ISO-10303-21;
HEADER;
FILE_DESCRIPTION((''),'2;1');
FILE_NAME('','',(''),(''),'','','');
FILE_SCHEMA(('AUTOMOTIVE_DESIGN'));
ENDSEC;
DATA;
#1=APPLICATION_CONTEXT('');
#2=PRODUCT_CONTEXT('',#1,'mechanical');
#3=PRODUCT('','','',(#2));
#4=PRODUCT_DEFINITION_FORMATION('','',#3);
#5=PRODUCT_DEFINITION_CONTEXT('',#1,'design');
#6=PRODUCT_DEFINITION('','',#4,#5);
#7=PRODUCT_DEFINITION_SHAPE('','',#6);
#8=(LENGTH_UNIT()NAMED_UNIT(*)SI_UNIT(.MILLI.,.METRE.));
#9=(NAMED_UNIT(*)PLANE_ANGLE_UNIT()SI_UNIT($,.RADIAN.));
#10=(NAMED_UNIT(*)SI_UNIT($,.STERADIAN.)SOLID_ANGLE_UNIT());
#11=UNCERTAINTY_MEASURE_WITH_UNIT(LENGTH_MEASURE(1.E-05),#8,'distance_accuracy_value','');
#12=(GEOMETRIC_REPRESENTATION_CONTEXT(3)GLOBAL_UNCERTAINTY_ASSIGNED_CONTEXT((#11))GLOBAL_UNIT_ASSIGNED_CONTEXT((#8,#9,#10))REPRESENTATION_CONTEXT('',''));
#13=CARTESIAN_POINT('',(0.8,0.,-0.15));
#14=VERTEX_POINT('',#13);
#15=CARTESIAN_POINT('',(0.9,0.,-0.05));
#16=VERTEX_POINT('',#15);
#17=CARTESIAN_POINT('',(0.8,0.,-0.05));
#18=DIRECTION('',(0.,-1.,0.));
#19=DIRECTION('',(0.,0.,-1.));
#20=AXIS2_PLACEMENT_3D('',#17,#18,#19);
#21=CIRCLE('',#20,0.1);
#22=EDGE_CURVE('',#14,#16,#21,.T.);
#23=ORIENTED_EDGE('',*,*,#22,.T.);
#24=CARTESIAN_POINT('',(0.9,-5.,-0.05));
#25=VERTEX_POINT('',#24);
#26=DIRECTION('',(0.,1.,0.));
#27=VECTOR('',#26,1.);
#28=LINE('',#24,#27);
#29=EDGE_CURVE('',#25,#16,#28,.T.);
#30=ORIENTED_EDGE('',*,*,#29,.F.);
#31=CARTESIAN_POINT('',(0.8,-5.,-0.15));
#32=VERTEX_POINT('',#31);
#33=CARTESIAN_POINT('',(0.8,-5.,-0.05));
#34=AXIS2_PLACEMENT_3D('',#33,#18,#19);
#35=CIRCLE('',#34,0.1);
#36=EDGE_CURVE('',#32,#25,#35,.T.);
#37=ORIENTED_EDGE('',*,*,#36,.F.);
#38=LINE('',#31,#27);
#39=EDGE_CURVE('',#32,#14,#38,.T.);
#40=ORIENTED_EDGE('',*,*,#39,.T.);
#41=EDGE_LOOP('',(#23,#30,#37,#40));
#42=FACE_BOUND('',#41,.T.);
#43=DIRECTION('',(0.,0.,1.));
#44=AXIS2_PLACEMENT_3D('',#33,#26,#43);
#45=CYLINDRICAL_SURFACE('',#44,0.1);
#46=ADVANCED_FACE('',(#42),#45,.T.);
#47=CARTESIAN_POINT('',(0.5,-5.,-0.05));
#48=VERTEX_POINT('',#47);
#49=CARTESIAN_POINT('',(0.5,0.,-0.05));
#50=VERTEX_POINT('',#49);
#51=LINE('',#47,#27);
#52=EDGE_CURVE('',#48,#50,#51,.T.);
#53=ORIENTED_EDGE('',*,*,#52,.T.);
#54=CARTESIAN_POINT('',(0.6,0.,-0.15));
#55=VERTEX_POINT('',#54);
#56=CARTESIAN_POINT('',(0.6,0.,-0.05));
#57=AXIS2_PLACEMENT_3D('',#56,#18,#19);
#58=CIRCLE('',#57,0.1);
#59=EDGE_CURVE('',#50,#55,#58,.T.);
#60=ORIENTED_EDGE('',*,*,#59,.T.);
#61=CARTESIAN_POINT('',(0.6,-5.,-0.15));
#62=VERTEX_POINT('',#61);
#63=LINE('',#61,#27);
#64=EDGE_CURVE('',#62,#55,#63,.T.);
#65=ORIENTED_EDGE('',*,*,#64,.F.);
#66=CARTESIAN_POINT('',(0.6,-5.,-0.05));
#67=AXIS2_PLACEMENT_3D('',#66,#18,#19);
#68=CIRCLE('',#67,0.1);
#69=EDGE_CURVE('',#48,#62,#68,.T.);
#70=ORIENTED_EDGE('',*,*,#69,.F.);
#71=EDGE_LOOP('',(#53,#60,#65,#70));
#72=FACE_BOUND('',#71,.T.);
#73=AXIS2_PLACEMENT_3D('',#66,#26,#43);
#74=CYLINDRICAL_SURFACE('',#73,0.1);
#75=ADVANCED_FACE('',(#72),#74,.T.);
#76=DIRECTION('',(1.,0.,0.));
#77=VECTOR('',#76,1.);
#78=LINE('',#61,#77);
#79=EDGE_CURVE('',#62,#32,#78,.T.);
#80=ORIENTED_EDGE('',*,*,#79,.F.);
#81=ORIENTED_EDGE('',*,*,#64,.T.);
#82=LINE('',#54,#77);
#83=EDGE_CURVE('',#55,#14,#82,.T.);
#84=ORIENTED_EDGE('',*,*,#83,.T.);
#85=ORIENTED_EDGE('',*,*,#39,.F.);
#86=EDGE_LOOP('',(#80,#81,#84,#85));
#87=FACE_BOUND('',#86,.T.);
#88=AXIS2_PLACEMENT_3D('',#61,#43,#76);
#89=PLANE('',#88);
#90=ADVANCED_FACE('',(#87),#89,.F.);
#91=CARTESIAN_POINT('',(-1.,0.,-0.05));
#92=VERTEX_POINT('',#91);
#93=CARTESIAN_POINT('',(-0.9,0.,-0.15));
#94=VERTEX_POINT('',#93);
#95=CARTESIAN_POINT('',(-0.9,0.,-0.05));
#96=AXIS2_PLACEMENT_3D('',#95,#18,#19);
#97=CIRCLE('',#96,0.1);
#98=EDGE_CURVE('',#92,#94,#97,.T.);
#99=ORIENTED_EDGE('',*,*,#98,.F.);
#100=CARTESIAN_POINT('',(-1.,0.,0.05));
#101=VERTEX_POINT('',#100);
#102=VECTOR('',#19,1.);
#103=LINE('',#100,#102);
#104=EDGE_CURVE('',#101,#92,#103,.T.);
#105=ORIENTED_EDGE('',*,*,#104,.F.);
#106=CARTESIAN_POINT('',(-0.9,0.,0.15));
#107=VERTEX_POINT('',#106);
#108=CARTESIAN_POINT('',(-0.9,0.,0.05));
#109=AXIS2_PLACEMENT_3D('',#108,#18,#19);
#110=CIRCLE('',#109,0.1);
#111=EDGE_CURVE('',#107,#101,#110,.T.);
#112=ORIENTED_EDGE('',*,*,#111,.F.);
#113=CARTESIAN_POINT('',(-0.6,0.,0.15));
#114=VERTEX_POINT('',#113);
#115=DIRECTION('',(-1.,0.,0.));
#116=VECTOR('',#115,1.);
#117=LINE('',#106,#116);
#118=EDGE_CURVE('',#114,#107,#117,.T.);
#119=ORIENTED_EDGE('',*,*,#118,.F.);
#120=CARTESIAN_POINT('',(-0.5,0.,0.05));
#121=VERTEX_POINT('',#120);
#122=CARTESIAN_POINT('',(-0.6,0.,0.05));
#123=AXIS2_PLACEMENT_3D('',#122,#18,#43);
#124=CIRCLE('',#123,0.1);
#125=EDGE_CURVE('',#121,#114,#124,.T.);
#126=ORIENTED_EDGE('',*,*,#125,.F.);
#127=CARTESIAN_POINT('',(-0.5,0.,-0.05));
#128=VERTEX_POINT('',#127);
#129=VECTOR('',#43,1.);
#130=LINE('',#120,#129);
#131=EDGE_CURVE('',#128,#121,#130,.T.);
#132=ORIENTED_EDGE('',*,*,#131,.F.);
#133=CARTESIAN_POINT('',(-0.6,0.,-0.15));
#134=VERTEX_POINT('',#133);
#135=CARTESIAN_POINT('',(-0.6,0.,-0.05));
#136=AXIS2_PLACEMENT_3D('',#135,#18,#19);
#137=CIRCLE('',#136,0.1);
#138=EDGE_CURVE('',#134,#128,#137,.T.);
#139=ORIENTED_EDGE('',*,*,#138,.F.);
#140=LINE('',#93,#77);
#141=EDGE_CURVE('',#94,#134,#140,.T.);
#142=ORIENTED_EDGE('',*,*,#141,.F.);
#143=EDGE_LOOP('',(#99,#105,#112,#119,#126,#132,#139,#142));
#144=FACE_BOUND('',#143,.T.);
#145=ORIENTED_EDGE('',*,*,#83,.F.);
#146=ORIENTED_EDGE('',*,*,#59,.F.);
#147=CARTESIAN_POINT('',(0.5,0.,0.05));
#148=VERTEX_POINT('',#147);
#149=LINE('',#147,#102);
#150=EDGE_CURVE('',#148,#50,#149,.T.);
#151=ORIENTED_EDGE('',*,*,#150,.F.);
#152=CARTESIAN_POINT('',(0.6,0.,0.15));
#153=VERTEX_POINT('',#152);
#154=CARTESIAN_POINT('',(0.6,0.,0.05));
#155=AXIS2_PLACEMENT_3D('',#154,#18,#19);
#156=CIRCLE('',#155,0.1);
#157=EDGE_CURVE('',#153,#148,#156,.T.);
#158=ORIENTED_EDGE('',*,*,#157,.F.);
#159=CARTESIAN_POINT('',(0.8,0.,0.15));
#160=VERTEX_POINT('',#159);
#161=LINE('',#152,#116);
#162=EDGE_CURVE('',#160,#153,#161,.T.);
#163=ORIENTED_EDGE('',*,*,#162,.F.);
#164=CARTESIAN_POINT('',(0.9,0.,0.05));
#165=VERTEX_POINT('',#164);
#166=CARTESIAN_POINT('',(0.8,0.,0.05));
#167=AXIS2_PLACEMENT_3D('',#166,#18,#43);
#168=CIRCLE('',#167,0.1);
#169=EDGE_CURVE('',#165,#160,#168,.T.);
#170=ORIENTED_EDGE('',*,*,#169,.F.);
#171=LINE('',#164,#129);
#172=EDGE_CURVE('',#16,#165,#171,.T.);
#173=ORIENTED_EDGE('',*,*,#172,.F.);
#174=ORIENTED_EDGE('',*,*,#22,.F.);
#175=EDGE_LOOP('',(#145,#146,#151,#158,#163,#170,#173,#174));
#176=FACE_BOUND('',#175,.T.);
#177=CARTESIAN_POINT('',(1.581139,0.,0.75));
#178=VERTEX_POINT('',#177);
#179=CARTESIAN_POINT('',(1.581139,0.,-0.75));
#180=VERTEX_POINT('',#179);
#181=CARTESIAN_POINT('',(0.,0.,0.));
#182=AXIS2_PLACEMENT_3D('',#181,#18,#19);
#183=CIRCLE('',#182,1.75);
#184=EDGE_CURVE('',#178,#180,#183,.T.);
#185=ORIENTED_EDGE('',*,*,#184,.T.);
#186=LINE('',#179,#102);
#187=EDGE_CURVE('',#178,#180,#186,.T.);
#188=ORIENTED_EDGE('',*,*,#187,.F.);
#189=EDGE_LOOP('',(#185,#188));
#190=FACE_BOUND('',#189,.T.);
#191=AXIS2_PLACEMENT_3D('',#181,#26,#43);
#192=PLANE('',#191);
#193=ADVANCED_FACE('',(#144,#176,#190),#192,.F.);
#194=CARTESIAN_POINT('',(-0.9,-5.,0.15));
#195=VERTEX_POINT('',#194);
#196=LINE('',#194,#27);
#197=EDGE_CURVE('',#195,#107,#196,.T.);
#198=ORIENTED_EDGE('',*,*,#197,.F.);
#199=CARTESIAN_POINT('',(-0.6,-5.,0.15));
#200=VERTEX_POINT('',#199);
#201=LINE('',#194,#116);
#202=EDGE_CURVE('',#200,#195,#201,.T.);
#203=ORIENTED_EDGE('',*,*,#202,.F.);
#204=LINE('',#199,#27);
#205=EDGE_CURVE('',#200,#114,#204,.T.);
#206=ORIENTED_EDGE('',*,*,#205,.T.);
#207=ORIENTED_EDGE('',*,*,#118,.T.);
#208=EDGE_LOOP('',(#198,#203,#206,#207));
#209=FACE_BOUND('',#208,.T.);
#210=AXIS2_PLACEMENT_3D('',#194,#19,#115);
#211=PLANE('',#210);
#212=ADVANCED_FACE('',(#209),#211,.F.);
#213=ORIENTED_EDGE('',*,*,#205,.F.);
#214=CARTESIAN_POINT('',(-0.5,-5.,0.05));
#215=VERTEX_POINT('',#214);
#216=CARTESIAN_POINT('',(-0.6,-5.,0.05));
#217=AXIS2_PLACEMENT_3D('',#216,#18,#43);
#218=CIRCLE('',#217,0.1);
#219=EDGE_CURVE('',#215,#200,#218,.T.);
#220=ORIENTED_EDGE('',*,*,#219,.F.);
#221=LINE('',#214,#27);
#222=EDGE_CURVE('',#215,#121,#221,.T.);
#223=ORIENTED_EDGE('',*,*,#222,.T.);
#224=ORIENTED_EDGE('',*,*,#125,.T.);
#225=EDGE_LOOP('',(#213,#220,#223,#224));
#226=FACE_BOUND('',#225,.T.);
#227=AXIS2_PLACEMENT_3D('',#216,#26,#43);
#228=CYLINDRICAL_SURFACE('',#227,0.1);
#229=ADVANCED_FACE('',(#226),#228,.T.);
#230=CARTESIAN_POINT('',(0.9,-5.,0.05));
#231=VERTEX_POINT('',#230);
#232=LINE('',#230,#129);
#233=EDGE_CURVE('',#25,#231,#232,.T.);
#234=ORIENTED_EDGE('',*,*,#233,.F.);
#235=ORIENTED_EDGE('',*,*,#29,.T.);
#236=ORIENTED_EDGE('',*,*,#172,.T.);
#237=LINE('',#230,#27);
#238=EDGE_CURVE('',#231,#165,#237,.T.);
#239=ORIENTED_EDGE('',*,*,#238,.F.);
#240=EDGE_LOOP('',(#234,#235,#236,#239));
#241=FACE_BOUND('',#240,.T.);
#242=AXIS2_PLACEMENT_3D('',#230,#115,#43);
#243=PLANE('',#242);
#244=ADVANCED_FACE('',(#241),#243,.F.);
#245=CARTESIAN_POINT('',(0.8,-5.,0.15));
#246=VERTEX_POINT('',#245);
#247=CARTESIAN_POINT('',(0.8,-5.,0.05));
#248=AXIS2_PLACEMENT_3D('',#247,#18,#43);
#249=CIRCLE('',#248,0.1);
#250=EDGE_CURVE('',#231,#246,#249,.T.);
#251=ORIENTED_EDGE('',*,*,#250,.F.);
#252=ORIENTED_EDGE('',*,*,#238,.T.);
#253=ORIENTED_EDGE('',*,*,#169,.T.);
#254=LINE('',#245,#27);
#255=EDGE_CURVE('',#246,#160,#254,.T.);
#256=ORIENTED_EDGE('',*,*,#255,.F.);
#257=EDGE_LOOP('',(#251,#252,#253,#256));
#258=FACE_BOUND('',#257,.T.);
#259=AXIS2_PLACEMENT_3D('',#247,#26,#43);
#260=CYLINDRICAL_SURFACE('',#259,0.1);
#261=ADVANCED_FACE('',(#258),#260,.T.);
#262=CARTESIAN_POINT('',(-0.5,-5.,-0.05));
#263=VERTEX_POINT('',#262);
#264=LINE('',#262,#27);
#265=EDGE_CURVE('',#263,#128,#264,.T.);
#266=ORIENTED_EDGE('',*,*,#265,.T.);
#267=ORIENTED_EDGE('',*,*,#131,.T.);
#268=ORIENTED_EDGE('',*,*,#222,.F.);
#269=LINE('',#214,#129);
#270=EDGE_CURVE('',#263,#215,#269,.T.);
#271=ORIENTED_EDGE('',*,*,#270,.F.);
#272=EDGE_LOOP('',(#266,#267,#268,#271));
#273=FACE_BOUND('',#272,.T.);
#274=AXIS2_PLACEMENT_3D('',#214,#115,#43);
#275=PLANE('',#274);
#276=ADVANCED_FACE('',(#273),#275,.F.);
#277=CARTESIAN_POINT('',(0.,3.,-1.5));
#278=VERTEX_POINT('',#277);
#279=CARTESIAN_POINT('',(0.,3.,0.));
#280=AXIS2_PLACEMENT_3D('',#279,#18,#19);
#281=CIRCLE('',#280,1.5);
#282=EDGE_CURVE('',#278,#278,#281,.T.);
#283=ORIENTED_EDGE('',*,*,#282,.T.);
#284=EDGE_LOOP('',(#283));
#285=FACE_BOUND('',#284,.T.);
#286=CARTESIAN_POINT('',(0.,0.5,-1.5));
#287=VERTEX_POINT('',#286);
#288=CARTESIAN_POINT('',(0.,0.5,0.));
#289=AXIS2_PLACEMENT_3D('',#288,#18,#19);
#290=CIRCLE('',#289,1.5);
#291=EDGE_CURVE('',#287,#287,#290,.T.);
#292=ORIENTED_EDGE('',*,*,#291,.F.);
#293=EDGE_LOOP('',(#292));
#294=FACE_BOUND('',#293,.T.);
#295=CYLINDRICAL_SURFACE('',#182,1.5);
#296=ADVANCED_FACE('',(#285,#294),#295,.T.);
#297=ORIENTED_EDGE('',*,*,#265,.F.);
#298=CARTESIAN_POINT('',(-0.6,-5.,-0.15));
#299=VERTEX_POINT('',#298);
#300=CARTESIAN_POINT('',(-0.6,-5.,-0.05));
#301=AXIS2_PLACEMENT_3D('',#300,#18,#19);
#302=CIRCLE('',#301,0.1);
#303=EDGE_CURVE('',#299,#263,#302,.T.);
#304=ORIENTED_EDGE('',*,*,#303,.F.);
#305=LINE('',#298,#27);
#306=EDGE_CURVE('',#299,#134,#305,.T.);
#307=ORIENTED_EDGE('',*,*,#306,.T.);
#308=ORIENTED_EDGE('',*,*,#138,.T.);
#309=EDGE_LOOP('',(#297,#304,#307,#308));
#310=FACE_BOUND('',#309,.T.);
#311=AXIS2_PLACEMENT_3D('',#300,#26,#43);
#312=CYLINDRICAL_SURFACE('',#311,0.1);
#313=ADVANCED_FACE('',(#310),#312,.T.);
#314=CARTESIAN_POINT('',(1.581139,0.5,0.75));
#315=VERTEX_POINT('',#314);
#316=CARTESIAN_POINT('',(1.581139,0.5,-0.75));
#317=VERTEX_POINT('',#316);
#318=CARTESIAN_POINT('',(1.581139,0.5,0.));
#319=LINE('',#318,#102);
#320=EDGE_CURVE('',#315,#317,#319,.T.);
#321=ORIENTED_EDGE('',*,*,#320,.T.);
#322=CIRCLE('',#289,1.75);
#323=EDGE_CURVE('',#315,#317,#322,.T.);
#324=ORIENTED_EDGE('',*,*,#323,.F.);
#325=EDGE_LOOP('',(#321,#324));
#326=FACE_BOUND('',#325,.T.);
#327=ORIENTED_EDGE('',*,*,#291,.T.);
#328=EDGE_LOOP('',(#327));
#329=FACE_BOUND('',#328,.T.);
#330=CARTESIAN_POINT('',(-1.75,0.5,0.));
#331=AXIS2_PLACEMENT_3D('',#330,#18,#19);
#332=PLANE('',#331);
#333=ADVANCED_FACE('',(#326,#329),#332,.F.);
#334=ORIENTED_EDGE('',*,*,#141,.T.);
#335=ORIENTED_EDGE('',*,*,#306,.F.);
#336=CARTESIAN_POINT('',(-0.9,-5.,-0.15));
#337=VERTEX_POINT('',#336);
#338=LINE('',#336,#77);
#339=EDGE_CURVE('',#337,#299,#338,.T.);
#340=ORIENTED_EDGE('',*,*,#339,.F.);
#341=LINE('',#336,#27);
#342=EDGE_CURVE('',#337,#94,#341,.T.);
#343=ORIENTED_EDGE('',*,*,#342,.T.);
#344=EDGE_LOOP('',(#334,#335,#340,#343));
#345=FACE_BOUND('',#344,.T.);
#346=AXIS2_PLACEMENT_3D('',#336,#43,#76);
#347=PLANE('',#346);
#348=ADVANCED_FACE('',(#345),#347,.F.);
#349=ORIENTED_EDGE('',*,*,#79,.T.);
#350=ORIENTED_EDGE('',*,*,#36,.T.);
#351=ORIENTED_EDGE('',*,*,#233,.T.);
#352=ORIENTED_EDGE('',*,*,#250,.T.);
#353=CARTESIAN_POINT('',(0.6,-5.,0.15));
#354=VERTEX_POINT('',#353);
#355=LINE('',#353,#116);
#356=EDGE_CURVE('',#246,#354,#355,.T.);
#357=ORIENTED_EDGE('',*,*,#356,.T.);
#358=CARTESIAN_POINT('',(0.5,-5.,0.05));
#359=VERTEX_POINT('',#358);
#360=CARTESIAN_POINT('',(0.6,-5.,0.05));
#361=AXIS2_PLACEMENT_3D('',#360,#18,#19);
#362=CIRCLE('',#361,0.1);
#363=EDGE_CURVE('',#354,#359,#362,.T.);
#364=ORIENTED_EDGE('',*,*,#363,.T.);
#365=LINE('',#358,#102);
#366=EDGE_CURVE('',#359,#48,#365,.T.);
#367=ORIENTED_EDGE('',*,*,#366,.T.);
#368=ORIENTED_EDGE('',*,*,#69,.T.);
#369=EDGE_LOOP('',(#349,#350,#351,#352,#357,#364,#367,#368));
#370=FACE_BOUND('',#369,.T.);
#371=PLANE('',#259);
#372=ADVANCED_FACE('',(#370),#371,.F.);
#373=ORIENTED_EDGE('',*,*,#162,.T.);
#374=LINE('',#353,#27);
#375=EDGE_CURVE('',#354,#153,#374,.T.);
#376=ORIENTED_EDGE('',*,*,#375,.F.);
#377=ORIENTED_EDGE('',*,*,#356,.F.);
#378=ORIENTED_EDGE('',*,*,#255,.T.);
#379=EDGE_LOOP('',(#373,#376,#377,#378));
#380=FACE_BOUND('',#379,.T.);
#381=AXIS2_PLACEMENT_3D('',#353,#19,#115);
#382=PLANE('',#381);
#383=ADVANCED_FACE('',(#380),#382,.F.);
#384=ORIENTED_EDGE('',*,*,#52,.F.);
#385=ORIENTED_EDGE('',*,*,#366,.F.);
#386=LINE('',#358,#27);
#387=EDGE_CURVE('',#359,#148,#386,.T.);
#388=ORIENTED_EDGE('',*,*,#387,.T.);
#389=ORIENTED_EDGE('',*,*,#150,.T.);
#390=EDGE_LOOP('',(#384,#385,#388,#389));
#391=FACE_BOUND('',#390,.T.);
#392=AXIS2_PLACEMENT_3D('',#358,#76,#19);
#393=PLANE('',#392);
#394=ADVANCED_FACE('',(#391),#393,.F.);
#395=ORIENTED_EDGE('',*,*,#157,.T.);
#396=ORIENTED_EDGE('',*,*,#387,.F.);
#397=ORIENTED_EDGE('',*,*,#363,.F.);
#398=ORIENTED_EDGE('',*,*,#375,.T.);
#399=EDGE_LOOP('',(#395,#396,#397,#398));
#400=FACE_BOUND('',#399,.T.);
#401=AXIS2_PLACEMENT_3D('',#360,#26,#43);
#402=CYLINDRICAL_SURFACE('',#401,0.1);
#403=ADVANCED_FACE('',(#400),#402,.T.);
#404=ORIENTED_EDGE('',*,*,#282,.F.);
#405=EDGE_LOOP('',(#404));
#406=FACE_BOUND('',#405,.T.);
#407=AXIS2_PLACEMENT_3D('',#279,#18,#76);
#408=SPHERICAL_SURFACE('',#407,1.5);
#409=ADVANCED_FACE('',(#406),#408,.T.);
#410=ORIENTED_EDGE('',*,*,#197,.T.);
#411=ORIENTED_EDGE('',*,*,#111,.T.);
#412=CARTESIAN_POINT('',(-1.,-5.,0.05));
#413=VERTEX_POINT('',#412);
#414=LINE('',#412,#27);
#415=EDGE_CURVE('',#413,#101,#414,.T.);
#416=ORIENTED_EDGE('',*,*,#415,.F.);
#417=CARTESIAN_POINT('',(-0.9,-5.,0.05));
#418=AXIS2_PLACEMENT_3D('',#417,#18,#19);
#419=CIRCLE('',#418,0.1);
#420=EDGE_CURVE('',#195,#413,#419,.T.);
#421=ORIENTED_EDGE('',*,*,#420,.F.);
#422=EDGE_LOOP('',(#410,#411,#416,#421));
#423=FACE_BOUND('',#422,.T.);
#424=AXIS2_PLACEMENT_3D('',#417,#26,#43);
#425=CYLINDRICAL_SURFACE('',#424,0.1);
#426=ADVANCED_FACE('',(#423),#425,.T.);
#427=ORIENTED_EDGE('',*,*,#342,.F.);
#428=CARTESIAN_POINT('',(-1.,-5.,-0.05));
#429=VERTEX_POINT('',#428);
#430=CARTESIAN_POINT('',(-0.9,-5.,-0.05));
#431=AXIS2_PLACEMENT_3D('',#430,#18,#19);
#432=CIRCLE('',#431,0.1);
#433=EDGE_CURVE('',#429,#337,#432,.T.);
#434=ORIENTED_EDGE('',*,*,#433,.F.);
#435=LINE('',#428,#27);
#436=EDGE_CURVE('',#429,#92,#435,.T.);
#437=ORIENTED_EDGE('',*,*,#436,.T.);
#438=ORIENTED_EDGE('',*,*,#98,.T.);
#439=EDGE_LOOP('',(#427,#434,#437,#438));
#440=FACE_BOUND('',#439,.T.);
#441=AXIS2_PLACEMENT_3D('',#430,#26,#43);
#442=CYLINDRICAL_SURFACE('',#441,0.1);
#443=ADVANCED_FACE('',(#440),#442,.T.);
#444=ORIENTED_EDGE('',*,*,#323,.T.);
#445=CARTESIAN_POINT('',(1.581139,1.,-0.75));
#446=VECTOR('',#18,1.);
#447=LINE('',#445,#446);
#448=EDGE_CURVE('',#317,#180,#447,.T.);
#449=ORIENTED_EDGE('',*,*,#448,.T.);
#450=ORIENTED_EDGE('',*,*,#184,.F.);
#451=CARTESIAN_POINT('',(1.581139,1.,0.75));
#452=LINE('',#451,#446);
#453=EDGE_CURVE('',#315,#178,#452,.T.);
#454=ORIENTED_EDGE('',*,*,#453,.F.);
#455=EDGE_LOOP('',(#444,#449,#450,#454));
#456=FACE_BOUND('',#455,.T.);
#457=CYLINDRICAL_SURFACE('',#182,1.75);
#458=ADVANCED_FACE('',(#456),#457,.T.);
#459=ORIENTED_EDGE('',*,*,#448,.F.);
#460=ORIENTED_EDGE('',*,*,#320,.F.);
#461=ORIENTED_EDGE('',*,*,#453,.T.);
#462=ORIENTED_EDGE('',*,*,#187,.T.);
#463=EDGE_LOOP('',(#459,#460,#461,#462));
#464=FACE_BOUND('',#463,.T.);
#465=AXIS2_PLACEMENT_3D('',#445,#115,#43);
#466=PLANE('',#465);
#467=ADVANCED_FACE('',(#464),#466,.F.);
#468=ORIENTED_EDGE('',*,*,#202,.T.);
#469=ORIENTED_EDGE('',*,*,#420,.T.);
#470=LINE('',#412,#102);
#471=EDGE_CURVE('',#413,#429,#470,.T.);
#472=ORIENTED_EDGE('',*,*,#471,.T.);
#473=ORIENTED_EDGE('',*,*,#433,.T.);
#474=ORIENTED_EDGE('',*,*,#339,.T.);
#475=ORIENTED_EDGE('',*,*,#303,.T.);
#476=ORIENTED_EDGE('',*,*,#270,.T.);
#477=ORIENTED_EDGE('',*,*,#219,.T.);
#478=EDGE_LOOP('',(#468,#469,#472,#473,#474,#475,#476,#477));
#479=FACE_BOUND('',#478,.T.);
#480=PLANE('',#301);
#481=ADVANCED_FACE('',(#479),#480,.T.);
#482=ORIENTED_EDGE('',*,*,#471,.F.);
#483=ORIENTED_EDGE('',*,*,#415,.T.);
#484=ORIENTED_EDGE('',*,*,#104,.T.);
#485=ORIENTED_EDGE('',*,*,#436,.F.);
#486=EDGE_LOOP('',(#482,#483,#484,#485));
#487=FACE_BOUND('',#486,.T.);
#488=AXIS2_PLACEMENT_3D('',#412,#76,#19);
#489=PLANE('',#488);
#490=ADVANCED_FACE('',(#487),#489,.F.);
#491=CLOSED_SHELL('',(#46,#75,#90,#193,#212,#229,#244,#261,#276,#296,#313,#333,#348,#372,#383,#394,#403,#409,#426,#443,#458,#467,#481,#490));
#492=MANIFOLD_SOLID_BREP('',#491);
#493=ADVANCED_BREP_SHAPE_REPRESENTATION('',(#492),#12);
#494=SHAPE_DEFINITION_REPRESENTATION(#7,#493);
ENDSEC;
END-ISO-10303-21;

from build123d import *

# Parameters (mm, degrees)
SCHNITT_LINEAR_START            = -1
SCHNITT_LINEAR_AUSTRAGEN1_DEPTH = 1
LINEAR_AUSTRAGEN1_DEPTH         = 5


with BuildPart() as part:
    # Skizze2 → Rotation1 (revolve)
    with BuildSketch(Plane.XY, mode=Mode.PRIVATE) as rotation1_sk:
        with BuildLine():
            Line((0, 0), (-1.75, 0))
            Line((-1.75, 0), (-1.75, 0.5))
            Line((-1.75, 0.5), (-1.5, 0.5))
            Line((-1.5, 0.5), (-1.5, 3))
            ThreePointArc((-1.5, 3), (-1.060660172, 4.060660172), (0, 4.5))
            Line((0, 4.5), (0, 0))
        make_face()
    revolve(rotation1_sk.sketch.rotate(Axis((0, 0, 0), (0, 1, 0)), 270), axis=Axis((0, 0, 0), (0, 1, 0)))

    # Skizze3 → Schnitt-Linear austragen1 (cut)
    with BuildSketch(Plane.XZ.offset(SCHNITT_LINEAR_START)):
        with BuildLine():
            Line((1.58113883, -0.75), (1.58113883, 0.75))
            ThreePointArc((1.58113883, 0.75), (1.75, 0), (1.58113883, -0.75))
        make_face()
    extrude(amount=SCHNITT_LINEAR_AUSTRAGEN1_DEPTH, mode=Mode.SUBTRACT)

    # Skizze4 → Linear austragen1 (add)
    with BuildSketch(Plane.XZ):
        with BuildLine():
            Line((0.6, 0.15), (0.8, 0.15))
            ThreePointArc((0.8, 0.15), (0.870710678, 0.120710678), (0.9, 0.05))
            Line((0.9, 0.05), (0.9, -0.05))
            ThreePointArc((0.9, -0.05), (0.870710678, -0.120710678), (0.8, -0.15))
            Line((0.8, -0.15), (0.6, -0.15))
            ThreePointArc((0.6, -0.15), (0.529289322, -0.120710678), (0.5, -0.05))
            Line((0.5, -0.05), (0.5, 0.05))
            ThreePointArc((0.5, 0.05), (0.529289322, 0.120710678), (0.6, 0.15))
        make_face()
        with BuildLine():
            Line((-0.9, 0.15), (-0.6, 0.15))
            ThreePointArc((-0.6, 0.15), (-0.529289322, 0.120710678), (-0.5, 0.05))
            Line((-0.5, 0.05), (-0.5, -0.05))
            ThreePointArc((-0.5, -0.05), (-0.529289322, -0.120710678), (-0.6, -0.15))
            Line((-0.6, -0.15), (-0.9, -0.15))
            ThreePointArc((-0.9, -0.15), (-0.970710678, -0.120710678), (-1, -0.05))
            Line((-1, -0.05), (-1, 0.05))
            ThreePointArc((-1, 0.05), (-0.970710678, 0.120710678), (-0.9, 0.15))
        make_face()
    extrude(amount=LINEAR_AUSTRAGEN1_DEPTH)


solid = part.part
